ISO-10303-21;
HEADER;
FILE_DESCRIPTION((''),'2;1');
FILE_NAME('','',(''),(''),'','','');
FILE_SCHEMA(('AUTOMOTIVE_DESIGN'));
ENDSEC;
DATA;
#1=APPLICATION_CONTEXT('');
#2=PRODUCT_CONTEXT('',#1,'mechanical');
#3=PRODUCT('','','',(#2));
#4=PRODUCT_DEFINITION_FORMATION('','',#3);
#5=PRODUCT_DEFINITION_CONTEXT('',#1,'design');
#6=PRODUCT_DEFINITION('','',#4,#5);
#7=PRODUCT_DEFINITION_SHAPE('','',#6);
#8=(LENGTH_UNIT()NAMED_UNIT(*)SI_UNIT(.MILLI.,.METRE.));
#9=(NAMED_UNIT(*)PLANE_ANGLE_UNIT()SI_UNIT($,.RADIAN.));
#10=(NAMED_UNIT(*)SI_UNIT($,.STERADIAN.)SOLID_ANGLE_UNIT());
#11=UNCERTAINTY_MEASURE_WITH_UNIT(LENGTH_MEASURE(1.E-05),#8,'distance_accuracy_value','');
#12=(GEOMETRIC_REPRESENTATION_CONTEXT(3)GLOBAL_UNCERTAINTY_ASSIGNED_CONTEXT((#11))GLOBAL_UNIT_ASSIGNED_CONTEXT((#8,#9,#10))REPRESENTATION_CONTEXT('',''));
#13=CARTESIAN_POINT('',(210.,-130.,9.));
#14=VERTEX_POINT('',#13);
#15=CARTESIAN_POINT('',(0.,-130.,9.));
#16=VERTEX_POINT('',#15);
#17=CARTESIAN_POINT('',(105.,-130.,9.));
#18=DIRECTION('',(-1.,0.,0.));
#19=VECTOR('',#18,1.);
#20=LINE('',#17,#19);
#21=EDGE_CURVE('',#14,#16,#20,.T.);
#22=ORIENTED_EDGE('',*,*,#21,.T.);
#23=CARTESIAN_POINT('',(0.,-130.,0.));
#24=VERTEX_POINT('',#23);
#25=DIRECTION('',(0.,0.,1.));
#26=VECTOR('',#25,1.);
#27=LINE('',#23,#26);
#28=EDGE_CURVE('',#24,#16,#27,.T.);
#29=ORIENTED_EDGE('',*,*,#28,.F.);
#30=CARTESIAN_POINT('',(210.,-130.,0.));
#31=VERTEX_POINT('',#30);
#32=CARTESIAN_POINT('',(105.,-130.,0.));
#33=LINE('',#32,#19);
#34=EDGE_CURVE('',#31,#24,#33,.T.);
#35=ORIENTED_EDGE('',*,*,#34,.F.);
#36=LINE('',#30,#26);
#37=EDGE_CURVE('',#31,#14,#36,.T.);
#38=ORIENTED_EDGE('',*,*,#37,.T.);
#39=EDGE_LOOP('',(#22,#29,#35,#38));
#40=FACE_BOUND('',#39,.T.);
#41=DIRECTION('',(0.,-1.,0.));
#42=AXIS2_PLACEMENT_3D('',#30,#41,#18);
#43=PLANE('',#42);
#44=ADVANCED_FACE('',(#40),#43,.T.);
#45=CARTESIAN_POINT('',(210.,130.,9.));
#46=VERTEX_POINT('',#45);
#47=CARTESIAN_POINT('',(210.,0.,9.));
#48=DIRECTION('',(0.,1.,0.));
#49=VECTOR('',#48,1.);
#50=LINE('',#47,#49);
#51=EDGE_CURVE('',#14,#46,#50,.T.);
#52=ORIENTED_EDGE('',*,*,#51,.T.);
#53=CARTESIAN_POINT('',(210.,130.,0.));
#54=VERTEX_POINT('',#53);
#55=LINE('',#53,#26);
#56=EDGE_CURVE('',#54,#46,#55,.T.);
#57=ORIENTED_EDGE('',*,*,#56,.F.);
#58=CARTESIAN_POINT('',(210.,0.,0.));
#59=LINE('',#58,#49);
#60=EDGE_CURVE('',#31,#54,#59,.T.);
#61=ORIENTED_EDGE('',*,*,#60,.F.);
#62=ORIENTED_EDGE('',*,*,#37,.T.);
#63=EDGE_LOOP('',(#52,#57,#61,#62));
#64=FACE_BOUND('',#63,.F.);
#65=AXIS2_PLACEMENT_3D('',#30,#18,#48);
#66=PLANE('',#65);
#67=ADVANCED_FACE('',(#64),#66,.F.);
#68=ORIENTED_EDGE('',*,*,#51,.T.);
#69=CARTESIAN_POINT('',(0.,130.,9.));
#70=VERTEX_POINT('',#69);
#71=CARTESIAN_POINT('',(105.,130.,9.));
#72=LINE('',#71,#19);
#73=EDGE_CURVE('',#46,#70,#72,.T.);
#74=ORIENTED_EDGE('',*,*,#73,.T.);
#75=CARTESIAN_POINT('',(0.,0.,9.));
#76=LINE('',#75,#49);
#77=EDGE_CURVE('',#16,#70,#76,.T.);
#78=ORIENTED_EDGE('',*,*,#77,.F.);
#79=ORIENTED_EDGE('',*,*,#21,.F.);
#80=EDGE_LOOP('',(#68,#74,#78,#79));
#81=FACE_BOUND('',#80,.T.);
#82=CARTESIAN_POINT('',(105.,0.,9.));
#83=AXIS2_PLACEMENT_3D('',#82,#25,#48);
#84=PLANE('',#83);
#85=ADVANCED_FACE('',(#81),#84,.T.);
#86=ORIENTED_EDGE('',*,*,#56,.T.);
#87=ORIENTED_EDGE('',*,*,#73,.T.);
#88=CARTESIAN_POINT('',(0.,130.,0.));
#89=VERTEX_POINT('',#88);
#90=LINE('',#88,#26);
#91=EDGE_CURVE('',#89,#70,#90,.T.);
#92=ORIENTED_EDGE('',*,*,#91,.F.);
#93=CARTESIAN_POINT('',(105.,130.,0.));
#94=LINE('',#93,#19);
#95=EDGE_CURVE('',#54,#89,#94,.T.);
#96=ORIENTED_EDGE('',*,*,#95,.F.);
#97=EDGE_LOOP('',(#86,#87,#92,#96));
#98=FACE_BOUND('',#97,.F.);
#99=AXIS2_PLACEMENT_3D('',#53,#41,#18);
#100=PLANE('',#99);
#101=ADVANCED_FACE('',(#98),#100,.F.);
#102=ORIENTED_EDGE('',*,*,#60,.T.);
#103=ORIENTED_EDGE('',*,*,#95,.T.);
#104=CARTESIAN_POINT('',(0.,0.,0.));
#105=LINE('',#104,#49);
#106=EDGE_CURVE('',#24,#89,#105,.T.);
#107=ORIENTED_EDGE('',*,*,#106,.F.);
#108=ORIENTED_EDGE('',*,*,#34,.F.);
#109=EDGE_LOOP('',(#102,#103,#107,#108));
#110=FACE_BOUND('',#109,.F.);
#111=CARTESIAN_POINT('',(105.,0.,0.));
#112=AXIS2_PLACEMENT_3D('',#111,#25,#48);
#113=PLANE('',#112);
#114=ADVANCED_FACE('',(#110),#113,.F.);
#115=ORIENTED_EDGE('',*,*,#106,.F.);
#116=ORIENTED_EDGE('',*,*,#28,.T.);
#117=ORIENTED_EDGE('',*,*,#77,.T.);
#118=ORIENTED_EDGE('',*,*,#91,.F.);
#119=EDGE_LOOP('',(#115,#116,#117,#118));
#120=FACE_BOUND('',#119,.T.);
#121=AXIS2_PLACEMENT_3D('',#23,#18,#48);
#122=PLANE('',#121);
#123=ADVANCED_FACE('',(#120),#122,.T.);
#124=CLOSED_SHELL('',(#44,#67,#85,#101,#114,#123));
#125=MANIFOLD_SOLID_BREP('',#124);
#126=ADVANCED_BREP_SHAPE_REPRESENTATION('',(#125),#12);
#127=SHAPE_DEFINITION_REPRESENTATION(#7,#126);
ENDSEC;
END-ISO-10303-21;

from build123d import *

# Parameters (mm, degrees)
REFINELINEAREXTRUDE_W = 260
REFINELINEAREXTRUDE_H = 210
LINEAREXTRUDE_DEPTH   = 9


with BuildPart() as part:
    # RefineLinearExtrude → LinearExtrude (new body)
    with BuildSketch(Plane(origin=(105, 0, 0), x_dir=(0, 1, 0), z_dir=(0, 0, 1))):
        Rectangle(REFINELINEAREXTRUDE_W, REFINELINEAREXTRUDE_H)
    extrude(amount=LINEAREXTRUDE_DEPTH)


solid = part.part
